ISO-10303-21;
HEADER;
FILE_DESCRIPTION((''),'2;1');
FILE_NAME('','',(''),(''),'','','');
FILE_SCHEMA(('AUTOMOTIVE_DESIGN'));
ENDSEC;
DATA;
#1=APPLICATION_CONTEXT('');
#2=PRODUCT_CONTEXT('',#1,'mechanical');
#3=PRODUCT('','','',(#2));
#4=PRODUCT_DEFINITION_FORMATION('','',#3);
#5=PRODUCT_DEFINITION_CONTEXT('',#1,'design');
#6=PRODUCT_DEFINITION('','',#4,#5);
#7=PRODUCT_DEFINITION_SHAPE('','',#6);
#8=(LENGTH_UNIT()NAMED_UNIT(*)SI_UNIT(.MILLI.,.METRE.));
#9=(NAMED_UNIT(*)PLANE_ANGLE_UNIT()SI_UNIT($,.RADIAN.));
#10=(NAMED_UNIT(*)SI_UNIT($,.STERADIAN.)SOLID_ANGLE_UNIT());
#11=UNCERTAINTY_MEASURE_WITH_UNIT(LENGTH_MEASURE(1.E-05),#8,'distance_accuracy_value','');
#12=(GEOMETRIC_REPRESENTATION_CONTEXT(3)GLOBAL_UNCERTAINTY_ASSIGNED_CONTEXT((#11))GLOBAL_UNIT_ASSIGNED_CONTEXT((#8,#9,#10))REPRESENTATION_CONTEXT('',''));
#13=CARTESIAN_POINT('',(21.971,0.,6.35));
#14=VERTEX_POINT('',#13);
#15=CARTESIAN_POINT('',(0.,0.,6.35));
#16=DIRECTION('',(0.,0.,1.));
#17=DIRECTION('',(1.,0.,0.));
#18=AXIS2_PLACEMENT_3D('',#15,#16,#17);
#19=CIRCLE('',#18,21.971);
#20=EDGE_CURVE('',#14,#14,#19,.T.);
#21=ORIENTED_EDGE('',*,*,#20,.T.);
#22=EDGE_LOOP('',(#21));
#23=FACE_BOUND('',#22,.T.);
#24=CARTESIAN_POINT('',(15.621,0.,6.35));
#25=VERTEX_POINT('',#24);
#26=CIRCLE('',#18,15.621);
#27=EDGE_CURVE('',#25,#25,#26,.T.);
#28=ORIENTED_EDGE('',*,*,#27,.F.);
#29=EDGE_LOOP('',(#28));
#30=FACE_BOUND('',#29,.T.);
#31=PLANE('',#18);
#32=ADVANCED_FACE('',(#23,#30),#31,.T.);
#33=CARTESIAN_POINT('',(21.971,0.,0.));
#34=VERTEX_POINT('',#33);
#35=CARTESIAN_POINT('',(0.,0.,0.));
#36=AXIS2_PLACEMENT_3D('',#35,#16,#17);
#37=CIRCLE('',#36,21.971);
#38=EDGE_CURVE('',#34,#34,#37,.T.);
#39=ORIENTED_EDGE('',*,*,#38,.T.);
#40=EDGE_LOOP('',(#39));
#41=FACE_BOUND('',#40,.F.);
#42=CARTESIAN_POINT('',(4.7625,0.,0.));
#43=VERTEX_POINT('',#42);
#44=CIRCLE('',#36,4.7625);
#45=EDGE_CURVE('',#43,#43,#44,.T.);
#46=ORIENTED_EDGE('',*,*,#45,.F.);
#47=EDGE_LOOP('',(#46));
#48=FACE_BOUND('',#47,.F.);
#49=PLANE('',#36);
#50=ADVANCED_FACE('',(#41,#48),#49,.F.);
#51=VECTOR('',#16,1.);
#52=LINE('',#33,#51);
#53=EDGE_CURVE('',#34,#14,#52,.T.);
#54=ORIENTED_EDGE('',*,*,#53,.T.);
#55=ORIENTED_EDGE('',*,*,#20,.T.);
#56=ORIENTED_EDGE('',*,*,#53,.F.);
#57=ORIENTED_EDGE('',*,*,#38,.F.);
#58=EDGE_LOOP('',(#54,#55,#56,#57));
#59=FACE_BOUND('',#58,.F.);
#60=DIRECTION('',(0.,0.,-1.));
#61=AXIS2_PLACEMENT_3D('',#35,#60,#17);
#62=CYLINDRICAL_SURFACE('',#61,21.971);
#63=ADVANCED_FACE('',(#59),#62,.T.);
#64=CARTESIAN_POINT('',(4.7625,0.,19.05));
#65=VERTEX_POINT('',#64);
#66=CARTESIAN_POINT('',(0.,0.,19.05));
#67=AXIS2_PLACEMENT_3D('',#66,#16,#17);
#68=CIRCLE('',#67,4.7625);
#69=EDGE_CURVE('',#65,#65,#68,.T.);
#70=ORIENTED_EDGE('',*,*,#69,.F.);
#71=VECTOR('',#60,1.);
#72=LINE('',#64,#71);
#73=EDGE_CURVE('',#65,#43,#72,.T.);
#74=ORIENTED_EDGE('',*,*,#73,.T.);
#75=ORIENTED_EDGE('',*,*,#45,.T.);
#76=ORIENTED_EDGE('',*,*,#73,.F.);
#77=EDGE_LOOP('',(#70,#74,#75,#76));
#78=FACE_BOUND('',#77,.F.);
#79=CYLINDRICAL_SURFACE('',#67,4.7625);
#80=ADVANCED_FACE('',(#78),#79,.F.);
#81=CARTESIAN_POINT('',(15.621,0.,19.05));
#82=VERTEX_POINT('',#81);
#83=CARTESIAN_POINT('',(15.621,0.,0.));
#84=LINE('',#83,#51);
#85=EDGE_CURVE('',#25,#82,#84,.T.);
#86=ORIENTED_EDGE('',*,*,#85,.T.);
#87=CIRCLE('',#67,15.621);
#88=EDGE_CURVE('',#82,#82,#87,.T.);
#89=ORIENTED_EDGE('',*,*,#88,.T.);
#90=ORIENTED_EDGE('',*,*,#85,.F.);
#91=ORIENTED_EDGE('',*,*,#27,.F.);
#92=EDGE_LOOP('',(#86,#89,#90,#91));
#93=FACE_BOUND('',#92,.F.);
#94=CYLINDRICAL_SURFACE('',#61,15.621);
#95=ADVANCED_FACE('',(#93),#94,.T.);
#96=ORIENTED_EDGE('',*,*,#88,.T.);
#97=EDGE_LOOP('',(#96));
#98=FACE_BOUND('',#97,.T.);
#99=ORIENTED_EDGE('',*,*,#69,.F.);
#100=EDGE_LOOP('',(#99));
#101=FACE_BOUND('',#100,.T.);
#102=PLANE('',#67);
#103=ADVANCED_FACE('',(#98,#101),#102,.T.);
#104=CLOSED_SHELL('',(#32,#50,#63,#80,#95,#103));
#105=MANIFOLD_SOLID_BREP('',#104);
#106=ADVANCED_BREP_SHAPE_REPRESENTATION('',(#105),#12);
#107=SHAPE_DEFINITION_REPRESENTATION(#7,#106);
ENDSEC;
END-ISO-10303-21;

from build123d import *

# Parameters (mm, degrees)
F0_R     = 21.971
F0_R_2   = 15.621
F1_DEPTH = 6.35
F2_DEPTH = 19.05
F3_R     = 4.7625
F4_DEPTH = 19.051


with BuildPart() as f1:
    # F0 (on Top) → F1 (new body)
    with BuildSketch(Plane.XY):
        Circle(F0_R)
        Circle(F0_R_2, mode=Mode.SUBTRACT)
    extrude(amount=F1_DEPTH)

    # F0 (on Top) → F2 (join)
    with BuildSketch(Plane.XY):
        Circle(F0_R_2)
    extrude(amount=F2_DEPTH)

    # F3 (on face) → F4 (cut, through all)
    with BuildSketch(Plane.XY.offset(19.05)):
        Circle(F3_R)
    extrude(amount=-F4_DEPTH, mode=Mode.SUBTRACT)


solid = f1.part
